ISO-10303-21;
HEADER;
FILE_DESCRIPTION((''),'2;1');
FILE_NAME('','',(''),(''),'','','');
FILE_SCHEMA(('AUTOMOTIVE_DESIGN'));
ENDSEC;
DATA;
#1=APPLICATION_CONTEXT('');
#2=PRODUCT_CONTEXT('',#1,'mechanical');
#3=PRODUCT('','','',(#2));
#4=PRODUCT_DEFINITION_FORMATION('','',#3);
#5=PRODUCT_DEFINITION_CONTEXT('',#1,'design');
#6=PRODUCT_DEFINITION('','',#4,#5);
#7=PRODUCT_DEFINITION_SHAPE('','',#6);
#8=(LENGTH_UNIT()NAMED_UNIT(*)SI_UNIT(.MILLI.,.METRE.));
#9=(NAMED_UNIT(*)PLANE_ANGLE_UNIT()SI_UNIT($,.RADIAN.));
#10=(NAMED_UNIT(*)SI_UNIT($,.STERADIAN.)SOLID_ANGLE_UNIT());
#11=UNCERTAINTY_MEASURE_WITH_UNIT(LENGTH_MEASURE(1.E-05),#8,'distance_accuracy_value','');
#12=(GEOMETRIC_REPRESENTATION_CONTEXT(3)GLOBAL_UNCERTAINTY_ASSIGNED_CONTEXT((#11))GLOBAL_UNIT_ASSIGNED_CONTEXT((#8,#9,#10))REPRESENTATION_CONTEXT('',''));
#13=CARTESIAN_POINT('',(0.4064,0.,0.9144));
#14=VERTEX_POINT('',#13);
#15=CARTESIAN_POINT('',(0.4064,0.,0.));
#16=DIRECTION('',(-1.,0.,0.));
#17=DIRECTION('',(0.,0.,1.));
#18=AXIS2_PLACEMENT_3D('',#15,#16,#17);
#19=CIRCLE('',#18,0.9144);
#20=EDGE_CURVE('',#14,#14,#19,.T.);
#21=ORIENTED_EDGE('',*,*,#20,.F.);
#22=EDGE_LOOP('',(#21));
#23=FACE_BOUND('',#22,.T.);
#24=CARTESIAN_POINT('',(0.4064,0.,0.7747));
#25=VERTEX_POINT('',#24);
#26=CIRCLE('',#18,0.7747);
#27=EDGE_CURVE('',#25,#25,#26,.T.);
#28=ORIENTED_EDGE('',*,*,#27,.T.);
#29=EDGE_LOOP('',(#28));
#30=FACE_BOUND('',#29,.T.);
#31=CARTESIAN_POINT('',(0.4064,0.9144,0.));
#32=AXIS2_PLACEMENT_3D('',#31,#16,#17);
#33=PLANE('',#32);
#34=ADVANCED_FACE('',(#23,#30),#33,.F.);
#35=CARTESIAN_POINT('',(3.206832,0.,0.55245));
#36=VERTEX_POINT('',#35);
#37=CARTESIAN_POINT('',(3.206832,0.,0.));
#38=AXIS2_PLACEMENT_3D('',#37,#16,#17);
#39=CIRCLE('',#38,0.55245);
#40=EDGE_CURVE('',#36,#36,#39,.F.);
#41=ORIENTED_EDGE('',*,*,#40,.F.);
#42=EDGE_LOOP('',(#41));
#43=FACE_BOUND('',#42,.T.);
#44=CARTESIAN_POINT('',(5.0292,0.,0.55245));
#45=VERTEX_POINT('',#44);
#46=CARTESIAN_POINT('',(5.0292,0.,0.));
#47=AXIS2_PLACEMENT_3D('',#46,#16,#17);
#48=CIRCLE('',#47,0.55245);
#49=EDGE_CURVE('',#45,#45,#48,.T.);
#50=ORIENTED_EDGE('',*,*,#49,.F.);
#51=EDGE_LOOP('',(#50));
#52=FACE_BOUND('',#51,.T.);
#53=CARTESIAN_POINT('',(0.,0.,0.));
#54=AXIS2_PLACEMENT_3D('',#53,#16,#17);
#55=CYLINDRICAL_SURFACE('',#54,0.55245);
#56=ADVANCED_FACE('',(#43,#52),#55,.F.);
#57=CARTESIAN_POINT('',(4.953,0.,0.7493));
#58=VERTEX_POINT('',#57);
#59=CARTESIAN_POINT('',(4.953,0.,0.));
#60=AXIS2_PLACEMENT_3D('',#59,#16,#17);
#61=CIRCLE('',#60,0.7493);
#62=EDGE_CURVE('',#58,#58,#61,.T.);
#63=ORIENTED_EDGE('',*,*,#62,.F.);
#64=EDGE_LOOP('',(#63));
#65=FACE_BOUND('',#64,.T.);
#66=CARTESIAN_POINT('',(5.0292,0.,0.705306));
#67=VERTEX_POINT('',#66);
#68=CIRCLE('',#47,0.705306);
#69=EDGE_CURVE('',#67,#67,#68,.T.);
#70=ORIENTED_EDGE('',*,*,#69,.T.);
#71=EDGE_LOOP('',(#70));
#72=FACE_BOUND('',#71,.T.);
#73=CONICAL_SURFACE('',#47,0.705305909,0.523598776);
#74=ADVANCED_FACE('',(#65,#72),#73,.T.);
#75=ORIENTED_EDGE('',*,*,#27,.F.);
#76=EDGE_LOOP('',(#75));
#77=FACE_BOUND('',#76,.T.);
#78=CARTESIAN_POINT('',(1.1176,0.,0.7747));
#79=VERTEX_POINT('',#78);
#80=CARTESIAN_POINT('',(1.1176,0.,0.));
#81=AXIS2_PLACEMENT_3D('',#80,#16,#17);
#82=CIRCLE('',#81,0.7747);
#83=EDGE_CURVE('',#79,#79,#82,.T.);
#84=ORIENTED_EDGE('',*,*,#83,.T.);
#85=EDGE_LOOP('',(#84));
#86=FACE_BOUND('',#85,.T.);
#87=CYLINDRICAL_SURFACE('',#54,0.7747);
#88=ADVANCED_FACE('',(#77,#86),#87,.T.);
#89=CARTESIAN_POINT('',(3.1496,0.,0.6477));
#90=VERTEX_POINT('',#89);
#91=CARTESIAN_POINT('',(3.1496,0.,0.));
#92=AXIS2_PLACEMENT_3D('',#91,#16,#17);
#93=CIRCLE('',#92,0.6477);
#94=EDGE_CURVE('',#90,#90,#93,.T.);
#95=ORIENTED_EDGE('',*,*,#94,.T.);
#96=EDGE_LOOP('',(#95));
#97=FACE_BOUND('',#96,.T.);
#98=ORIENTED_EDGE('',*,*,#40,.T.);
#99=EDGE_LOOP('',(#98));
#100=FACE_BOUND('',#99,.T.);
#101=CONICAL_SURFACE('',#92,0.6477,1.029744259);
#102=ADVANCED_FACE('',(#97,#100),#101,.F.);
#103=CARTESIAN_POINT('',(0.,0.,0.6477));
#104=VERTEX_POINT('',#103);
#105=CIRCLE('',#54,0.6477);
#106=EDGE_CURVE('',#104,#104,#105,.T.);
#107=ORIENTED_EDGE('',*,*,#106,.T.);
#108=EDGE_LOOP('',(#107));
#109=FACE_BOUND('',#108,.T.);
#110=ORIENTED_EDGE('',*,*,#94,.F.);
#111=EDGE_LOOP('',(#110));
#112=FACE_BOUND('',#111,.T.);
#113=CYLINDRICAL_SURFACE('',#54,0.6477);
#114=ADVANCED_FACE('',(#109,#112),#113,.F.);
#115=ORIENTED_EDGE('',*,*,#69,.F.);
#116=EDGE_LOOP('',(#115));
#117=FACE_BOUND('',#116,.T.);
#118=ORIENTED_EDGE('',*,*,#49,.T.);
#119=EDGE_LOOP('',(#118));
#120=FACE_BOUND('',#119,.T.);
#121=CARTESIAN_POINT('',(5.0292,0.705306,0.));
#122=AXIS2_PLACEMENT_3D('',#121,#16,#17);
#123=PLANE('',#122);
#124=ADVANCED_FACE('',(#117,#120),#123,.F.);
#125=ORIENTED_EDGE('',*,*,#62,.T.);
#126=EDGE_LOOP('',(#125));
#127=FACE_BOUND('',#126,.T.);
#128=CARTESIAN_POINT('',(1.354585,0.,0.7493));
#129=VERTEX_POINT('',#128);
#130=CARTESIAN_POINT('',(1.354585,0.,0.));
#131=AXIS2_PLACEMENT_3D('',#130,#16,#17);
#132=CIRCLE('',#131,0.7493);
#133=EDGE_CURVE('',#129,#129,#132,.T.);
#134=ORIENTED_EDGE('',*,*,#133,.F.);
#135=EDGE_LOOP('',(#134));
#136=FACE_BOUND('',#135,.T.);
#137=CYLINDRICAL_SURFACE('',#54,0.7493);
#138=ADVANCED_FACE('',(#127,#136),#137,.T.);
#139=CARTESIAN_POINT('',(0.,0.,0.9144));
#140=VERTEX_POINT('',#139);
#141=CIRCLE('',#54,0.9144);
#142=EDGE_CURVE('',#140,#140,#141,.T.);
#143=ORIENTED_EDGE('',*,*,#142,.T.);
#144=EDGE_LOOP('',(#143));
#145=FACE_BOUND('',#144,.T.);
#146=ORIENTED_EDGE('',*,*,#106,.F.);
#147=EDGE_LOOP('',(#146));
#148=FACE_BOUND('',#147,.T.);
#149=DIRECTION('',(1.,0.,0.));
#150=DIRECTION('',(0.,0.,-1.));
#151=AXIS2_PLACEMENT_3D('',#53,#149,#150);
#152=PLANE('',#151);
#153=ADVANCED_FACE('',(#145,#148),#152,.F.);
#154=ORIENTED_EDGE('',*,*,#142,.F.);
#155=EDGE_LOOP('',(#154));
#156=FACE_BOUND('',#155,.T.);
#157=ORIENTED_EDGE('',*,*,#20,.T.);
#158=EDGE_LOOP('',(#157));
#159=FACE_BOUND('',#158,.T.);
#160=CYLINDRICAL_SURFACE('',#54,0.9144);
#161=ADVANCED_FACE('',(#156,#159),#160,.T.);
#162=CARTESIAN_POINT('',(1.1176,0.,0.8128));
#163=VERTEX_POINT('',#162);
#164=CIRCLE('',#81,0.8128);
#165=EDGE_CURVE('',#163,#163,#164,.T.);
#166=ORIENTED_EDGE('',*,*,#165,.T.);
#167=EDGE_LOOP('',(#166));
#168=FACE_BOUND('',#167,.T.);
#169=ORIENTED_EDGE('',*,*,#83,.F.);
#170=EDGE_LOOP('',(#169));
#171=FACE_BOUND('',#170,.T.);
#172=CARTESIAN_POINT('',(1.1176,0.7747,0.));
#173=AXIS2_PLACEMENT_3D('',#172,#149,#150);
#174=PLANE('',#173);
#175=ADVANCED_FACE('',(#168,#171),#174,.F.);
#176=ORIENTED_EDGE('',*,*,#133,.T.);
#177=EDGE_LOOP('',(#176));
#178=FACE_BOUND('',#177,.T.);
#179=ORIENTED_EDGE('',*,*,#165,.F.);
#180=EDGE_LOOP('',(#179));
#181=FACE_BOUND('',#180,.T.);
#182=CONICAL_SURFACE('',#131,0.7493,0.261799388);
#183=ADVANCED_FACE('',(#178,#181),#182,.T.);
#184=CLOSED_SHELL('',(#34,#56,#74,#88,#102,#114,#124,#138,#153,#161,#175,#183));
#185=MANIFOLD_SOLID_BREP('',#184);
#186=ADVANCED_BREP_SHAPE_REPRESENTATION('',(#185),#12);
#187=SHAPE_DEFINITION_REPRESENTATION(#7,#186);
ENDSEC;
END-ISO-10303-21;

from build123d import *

# Parameters (mm, degrees)
HOLE1_D     = 1.2954
HOLE1_DEPTH = 3.1496
HOLE1_TIP   = 0.389177423
HOLE2_D     = 1.1049
HOLE2_DEPTH = 5.0292
HOLE2_TIP   = 0.331945449


with BuildPart() as part:
    # Sketch1 → RevolutionAngle1 (revolve)
    with BuildSketch(Plane.XY):
        Polygon((0, 0), (0, 0.9144), (0.4064, 0.9144), (0.4064, 0.7747), (1.1176, 0.7747), (1.1176, 0.8128), (1.354585226, 0.7493), (4.953, 0.7493), (5.0292, 0.705305909), (5.0292, 0), align=None)
    revolve(axis=Axis((0, 0, 0), (1, 0, 0)))

    # Hole1
    with Locations(Plane.ZY):
        with Locations((0, 0)):
            Hole(HOLE1_D / 2, depth=HOLE1_DEPTH)
            with Locations((0, 0, -(HOLE1_DEPTH + HOLE1_TIP / 2))):  # 118° drill point
                Cone(0, HOLE1_D / 2, HOLE1_TIP, mode=Mode.SUBTRACT)

    # Hole2
    with Locations(Plane(origin=(0, 0.34063155, -0.647816844), x_dir=(0, 0, 1), z_dir=(-1, 0, 0))):
        with Locations((0.647816844, -0.34063155)):
            Hole(HOLE2_D / 2, depth=HOLE2_DEPTH)
            with Locations((0, 0, -(HOLE2_DEPTH + HOLE2_TIP / 2))):  # 118° drill point
                Cone(0, HOLE2_D / 2, HOLE2_TIP, mode=Mode.SUBTRACT)


solid = part.part
